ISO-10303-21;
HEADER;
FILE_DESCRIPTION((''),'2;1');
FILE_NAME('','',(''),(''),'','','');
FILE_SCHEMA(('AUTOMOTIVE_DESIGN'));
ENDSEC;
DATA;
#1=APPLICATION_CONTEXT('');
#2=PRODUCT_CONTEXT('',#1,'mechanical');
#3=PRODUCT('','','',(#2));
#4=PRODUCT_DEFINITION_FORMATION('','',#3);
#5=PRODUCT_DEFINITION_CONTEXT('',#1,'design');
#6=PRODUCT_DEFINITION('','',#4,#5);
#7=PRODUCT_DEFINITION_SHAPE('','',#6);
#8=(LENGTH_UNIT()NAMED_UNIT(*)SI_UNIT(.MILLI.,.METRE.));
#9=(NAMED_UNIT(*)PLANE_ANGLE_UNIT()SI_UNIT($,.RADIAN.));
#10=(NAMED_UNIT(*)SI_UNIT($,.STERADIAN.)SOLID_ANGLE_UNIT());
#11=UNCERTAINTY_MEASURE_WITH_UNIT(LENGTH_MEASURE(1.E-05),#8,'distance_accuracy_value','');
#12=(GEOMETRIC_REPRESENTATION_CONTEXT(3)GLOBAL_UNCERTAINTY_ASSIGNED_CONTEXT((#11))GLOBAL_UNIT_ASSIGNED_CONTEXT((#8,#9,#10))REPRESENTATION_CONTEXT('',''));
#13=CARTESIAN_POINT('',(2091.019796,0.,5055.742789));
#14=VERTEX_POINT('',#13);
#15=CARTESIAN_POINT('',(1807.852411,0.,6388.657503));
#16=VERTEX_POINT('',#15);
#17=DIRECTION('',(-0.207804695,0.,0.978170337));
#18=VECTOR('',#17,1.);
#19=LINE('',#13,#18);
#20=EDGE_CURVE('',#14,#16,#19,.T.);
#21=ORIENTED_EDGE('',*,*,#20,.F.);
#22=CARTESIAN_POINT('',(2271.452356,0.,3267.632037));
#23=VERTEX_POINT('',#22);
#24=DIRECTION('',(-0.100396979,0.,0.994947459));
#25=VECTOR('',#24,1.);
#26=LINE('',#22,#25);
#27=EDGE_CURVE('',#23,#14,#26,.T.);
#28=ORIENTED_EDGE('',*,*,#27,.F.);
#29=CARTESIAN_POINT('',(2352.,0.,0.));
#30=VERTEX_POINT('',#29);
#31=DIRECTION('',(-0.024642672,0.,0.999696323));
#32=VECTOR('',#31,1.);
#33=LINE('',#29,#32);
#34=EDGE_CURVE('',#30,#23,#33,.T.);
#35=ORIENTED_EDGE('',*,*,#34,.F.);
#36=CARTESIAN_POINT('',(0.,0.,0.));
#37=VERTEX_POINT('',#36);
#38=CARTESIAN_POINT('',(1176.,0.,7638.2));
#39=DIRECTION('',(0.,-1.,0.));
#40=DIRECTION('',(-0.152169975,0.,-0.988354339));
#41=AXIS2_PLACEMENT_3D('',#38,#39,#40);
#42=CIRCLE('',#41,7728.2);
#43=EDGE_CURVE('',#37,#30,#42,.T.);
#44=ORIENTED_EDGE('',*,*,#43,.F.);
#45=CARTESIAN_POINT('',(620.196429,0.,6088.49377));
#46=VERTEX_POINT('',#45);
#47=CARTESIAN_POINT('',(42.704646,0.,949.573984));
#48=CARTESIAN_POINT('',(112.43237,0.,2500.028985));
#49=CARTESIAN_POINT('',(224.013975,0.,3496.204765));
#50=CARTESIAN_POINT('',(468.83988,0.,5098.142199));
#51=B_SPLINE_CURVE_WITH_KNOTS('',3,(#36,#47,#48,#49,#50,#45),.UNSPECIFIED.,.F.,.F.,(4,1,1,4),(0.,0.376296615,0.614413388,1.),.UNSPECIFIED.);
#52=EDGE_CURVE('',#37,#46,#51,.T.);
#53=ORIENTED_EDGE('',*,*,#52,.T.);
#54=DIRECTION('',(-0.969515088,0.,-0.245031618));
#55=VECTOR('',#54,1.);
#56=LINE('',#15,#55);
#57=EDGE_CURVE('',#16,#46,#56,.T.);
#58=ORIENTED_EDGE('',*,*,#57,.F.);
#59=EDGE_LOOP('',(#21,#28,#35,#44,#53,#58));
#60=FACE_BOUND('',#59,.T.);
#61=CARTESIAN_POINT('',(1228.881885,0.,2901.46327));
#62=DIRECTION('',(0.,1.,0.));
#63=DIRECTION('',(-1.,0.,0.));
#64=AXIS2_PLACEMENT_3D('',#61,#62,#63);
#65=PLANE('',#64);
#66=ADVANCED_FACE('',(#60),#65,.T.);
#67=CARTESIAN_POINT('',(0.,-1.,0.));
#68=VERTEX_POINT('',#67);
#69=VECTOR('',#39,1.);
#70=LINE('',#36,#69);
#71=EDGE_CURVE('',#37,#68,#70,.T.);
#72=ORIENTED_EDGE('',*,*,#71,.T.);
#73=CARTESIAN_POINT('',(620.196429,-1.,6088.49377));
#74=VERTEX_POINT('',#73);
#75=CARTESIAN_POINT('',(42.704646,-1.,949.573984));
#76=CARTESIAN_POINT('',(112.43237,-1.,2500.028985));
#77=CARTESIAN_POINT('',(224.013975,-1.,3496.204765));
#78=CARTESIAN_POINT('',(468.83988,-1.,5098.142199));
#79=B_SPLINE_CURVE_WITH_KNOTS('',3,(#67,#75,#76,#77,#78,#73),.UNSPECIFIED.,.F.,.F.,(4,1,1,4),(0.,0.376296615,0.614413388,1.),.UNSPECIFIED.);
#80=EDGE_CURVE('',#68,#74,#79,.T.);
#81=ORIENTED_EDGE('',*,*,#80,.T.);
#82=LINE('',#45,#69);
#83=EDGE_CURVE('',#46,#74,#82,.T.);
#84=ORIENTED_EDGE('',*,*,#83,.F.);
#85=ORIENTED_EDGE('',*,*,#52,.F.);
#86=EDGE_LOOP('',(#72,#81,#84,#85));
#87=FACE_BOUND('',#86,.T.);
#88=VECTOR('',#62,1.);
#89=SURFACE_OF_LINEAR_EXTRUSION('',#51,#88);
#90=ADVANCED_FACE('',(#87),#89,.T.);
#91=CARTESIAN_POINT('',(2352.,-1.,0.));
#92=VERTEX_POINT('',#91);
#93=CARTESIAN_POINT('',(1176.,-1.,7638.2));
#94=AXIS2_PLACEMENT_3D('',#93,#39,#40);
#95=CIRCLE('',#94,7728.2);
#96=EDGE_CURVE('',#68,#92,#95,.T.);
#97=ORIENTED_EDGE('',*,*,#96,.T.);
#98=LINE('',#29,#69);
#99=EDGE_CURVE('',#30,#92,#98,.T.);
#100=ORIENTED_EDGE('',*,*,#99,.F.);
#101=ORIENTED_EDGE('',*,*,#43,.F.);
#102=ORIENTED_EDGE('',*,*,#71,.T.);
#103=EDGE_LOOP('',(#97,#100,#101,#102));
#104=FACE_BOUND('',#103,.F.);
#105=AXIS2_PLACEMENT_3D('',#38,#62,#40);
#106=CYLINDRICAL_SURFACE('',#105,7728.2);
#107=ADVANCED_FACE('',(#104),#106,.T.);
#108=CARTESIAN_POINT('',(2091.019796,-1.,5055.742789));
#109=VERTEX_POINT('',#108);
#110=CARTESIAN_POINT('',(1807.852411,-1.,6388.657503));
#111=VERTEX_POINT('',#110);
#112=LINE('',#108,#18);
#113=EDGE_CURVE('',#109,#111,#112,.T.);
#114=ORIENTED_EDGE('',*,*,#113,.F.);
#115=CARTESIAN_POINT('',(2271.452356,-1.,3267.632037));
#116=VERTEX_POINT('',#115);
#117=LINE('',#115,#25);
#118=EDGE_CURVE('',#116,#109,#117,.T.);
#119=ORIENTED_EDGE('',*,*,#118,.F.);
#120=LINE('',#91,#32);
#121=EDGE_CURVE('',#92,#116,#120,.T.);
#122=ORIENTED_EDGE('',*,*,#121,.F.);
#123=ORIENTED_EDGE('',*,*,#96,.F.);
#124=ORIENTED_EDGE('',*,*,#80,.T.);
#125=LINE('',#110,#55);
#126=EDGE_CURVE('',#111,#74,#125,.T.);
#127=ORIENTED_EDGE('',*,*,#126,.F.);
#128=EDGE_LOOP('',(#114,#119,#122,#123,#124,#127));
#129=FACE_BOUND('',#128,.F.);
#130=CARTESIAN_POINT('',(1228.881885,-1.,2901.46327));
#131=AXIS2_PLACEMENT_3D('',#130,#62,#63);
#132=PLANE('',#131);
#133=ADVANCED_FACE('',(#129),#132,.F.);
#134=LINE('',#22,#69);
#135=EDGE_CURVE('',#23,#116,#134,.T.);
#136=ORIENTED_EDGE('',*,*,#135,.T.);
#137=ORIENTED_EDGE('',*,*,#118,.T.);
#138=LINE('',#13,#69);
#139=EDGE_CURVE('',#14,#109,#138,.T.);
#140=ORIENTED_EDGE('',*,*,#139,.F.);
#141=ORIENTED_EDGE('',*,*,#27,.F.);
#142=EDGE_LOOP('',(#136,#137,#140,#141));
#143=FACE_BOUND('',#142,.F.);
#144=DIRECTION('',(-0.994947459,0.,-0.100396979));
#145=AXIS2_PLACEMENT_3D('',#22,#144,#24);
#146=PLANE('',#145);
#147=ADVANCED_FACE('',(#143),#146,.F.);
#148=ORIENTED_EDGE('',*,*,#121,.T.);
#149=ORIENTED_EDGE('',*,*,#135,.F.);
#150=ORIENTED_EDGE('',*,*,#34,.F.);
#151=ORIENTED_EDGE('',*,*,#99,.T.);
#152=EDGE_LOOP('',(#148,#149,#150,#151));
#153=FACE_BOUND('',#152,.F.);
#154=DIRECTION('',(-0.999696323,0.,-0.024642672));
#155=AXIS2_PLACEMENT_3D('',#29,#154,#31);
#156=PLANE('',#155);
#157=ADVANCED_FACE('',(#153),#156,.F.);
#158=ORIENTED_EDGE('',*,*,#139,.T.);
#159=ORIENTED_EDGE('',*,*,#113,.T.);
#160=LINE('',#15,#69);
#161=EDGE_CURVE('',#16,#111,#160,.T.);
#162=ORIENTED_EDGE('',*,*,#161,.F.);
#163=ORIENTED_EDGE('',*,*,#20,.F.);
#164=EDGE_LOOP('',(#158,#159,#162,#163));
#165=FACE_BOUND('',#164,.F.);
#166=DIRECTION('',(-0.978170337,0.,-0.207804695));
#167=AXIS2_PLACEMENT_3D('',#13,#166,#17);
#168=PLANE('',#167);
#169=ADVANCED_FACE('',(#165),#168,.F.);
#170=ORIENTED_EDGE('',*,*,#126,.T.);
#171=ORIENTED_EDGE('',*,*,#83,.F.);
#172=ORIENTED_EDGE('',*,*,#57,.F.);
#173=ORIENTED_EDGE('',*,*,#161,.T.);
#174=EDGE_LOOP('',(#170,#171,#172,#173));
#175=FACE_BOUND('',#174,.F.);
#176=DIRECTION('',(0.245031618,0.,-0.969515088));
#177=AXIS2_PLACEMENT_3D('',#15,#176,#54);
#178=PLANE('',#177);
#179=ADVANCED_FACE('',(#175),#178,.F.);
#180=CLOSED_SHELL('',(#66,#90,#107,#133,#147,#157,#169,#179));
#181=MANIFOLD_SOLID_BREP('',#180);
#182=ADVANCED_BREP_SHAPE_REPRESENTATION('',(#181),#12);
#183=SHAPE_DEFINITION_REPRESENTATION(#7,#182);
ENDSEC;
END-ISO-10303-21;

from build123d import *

# Parameters (mm, degrees)
F3_DEPTH = 1


with BuildPart() as f3:
    # F2 (on face) → F3 (new body)
    with BuildSketch(Plane.XZ):
        with BuildLine():
            add(Edge.make_bspline(
                [(0, 0), (42.7046461039, 949.5739841818), (112.432369512, 2500.0289853407), (224.0139745837, 3496.2047652429), (468.8398802864, 5098.1421986098), (620.1964285714, 6088.4937702183)],
                knots=[0, 0, 0, 0, 0.3762966151, 0.6144133881, 1, 1, 1, 1], degree=3))
            ThreePointArc((0, 0), (1176, -90), (2352, 0))
            Line((2352, 0), (2271.4523559318, 3267.6320372779))
            Line((2271.4523559318, 3267.6320372779), (2091.0197957494, 5055.7427885473))
            Line((2091.0197957494, 5055.7427885473), (1807.8524114525, 6388.6575027489))
            Line((1807.8524114525, 6388.6575027489), (620.1964285714, 6088.4937702183))
        make_face()
    extrude(amount=F3_DEPTH)


solid = f3.part
